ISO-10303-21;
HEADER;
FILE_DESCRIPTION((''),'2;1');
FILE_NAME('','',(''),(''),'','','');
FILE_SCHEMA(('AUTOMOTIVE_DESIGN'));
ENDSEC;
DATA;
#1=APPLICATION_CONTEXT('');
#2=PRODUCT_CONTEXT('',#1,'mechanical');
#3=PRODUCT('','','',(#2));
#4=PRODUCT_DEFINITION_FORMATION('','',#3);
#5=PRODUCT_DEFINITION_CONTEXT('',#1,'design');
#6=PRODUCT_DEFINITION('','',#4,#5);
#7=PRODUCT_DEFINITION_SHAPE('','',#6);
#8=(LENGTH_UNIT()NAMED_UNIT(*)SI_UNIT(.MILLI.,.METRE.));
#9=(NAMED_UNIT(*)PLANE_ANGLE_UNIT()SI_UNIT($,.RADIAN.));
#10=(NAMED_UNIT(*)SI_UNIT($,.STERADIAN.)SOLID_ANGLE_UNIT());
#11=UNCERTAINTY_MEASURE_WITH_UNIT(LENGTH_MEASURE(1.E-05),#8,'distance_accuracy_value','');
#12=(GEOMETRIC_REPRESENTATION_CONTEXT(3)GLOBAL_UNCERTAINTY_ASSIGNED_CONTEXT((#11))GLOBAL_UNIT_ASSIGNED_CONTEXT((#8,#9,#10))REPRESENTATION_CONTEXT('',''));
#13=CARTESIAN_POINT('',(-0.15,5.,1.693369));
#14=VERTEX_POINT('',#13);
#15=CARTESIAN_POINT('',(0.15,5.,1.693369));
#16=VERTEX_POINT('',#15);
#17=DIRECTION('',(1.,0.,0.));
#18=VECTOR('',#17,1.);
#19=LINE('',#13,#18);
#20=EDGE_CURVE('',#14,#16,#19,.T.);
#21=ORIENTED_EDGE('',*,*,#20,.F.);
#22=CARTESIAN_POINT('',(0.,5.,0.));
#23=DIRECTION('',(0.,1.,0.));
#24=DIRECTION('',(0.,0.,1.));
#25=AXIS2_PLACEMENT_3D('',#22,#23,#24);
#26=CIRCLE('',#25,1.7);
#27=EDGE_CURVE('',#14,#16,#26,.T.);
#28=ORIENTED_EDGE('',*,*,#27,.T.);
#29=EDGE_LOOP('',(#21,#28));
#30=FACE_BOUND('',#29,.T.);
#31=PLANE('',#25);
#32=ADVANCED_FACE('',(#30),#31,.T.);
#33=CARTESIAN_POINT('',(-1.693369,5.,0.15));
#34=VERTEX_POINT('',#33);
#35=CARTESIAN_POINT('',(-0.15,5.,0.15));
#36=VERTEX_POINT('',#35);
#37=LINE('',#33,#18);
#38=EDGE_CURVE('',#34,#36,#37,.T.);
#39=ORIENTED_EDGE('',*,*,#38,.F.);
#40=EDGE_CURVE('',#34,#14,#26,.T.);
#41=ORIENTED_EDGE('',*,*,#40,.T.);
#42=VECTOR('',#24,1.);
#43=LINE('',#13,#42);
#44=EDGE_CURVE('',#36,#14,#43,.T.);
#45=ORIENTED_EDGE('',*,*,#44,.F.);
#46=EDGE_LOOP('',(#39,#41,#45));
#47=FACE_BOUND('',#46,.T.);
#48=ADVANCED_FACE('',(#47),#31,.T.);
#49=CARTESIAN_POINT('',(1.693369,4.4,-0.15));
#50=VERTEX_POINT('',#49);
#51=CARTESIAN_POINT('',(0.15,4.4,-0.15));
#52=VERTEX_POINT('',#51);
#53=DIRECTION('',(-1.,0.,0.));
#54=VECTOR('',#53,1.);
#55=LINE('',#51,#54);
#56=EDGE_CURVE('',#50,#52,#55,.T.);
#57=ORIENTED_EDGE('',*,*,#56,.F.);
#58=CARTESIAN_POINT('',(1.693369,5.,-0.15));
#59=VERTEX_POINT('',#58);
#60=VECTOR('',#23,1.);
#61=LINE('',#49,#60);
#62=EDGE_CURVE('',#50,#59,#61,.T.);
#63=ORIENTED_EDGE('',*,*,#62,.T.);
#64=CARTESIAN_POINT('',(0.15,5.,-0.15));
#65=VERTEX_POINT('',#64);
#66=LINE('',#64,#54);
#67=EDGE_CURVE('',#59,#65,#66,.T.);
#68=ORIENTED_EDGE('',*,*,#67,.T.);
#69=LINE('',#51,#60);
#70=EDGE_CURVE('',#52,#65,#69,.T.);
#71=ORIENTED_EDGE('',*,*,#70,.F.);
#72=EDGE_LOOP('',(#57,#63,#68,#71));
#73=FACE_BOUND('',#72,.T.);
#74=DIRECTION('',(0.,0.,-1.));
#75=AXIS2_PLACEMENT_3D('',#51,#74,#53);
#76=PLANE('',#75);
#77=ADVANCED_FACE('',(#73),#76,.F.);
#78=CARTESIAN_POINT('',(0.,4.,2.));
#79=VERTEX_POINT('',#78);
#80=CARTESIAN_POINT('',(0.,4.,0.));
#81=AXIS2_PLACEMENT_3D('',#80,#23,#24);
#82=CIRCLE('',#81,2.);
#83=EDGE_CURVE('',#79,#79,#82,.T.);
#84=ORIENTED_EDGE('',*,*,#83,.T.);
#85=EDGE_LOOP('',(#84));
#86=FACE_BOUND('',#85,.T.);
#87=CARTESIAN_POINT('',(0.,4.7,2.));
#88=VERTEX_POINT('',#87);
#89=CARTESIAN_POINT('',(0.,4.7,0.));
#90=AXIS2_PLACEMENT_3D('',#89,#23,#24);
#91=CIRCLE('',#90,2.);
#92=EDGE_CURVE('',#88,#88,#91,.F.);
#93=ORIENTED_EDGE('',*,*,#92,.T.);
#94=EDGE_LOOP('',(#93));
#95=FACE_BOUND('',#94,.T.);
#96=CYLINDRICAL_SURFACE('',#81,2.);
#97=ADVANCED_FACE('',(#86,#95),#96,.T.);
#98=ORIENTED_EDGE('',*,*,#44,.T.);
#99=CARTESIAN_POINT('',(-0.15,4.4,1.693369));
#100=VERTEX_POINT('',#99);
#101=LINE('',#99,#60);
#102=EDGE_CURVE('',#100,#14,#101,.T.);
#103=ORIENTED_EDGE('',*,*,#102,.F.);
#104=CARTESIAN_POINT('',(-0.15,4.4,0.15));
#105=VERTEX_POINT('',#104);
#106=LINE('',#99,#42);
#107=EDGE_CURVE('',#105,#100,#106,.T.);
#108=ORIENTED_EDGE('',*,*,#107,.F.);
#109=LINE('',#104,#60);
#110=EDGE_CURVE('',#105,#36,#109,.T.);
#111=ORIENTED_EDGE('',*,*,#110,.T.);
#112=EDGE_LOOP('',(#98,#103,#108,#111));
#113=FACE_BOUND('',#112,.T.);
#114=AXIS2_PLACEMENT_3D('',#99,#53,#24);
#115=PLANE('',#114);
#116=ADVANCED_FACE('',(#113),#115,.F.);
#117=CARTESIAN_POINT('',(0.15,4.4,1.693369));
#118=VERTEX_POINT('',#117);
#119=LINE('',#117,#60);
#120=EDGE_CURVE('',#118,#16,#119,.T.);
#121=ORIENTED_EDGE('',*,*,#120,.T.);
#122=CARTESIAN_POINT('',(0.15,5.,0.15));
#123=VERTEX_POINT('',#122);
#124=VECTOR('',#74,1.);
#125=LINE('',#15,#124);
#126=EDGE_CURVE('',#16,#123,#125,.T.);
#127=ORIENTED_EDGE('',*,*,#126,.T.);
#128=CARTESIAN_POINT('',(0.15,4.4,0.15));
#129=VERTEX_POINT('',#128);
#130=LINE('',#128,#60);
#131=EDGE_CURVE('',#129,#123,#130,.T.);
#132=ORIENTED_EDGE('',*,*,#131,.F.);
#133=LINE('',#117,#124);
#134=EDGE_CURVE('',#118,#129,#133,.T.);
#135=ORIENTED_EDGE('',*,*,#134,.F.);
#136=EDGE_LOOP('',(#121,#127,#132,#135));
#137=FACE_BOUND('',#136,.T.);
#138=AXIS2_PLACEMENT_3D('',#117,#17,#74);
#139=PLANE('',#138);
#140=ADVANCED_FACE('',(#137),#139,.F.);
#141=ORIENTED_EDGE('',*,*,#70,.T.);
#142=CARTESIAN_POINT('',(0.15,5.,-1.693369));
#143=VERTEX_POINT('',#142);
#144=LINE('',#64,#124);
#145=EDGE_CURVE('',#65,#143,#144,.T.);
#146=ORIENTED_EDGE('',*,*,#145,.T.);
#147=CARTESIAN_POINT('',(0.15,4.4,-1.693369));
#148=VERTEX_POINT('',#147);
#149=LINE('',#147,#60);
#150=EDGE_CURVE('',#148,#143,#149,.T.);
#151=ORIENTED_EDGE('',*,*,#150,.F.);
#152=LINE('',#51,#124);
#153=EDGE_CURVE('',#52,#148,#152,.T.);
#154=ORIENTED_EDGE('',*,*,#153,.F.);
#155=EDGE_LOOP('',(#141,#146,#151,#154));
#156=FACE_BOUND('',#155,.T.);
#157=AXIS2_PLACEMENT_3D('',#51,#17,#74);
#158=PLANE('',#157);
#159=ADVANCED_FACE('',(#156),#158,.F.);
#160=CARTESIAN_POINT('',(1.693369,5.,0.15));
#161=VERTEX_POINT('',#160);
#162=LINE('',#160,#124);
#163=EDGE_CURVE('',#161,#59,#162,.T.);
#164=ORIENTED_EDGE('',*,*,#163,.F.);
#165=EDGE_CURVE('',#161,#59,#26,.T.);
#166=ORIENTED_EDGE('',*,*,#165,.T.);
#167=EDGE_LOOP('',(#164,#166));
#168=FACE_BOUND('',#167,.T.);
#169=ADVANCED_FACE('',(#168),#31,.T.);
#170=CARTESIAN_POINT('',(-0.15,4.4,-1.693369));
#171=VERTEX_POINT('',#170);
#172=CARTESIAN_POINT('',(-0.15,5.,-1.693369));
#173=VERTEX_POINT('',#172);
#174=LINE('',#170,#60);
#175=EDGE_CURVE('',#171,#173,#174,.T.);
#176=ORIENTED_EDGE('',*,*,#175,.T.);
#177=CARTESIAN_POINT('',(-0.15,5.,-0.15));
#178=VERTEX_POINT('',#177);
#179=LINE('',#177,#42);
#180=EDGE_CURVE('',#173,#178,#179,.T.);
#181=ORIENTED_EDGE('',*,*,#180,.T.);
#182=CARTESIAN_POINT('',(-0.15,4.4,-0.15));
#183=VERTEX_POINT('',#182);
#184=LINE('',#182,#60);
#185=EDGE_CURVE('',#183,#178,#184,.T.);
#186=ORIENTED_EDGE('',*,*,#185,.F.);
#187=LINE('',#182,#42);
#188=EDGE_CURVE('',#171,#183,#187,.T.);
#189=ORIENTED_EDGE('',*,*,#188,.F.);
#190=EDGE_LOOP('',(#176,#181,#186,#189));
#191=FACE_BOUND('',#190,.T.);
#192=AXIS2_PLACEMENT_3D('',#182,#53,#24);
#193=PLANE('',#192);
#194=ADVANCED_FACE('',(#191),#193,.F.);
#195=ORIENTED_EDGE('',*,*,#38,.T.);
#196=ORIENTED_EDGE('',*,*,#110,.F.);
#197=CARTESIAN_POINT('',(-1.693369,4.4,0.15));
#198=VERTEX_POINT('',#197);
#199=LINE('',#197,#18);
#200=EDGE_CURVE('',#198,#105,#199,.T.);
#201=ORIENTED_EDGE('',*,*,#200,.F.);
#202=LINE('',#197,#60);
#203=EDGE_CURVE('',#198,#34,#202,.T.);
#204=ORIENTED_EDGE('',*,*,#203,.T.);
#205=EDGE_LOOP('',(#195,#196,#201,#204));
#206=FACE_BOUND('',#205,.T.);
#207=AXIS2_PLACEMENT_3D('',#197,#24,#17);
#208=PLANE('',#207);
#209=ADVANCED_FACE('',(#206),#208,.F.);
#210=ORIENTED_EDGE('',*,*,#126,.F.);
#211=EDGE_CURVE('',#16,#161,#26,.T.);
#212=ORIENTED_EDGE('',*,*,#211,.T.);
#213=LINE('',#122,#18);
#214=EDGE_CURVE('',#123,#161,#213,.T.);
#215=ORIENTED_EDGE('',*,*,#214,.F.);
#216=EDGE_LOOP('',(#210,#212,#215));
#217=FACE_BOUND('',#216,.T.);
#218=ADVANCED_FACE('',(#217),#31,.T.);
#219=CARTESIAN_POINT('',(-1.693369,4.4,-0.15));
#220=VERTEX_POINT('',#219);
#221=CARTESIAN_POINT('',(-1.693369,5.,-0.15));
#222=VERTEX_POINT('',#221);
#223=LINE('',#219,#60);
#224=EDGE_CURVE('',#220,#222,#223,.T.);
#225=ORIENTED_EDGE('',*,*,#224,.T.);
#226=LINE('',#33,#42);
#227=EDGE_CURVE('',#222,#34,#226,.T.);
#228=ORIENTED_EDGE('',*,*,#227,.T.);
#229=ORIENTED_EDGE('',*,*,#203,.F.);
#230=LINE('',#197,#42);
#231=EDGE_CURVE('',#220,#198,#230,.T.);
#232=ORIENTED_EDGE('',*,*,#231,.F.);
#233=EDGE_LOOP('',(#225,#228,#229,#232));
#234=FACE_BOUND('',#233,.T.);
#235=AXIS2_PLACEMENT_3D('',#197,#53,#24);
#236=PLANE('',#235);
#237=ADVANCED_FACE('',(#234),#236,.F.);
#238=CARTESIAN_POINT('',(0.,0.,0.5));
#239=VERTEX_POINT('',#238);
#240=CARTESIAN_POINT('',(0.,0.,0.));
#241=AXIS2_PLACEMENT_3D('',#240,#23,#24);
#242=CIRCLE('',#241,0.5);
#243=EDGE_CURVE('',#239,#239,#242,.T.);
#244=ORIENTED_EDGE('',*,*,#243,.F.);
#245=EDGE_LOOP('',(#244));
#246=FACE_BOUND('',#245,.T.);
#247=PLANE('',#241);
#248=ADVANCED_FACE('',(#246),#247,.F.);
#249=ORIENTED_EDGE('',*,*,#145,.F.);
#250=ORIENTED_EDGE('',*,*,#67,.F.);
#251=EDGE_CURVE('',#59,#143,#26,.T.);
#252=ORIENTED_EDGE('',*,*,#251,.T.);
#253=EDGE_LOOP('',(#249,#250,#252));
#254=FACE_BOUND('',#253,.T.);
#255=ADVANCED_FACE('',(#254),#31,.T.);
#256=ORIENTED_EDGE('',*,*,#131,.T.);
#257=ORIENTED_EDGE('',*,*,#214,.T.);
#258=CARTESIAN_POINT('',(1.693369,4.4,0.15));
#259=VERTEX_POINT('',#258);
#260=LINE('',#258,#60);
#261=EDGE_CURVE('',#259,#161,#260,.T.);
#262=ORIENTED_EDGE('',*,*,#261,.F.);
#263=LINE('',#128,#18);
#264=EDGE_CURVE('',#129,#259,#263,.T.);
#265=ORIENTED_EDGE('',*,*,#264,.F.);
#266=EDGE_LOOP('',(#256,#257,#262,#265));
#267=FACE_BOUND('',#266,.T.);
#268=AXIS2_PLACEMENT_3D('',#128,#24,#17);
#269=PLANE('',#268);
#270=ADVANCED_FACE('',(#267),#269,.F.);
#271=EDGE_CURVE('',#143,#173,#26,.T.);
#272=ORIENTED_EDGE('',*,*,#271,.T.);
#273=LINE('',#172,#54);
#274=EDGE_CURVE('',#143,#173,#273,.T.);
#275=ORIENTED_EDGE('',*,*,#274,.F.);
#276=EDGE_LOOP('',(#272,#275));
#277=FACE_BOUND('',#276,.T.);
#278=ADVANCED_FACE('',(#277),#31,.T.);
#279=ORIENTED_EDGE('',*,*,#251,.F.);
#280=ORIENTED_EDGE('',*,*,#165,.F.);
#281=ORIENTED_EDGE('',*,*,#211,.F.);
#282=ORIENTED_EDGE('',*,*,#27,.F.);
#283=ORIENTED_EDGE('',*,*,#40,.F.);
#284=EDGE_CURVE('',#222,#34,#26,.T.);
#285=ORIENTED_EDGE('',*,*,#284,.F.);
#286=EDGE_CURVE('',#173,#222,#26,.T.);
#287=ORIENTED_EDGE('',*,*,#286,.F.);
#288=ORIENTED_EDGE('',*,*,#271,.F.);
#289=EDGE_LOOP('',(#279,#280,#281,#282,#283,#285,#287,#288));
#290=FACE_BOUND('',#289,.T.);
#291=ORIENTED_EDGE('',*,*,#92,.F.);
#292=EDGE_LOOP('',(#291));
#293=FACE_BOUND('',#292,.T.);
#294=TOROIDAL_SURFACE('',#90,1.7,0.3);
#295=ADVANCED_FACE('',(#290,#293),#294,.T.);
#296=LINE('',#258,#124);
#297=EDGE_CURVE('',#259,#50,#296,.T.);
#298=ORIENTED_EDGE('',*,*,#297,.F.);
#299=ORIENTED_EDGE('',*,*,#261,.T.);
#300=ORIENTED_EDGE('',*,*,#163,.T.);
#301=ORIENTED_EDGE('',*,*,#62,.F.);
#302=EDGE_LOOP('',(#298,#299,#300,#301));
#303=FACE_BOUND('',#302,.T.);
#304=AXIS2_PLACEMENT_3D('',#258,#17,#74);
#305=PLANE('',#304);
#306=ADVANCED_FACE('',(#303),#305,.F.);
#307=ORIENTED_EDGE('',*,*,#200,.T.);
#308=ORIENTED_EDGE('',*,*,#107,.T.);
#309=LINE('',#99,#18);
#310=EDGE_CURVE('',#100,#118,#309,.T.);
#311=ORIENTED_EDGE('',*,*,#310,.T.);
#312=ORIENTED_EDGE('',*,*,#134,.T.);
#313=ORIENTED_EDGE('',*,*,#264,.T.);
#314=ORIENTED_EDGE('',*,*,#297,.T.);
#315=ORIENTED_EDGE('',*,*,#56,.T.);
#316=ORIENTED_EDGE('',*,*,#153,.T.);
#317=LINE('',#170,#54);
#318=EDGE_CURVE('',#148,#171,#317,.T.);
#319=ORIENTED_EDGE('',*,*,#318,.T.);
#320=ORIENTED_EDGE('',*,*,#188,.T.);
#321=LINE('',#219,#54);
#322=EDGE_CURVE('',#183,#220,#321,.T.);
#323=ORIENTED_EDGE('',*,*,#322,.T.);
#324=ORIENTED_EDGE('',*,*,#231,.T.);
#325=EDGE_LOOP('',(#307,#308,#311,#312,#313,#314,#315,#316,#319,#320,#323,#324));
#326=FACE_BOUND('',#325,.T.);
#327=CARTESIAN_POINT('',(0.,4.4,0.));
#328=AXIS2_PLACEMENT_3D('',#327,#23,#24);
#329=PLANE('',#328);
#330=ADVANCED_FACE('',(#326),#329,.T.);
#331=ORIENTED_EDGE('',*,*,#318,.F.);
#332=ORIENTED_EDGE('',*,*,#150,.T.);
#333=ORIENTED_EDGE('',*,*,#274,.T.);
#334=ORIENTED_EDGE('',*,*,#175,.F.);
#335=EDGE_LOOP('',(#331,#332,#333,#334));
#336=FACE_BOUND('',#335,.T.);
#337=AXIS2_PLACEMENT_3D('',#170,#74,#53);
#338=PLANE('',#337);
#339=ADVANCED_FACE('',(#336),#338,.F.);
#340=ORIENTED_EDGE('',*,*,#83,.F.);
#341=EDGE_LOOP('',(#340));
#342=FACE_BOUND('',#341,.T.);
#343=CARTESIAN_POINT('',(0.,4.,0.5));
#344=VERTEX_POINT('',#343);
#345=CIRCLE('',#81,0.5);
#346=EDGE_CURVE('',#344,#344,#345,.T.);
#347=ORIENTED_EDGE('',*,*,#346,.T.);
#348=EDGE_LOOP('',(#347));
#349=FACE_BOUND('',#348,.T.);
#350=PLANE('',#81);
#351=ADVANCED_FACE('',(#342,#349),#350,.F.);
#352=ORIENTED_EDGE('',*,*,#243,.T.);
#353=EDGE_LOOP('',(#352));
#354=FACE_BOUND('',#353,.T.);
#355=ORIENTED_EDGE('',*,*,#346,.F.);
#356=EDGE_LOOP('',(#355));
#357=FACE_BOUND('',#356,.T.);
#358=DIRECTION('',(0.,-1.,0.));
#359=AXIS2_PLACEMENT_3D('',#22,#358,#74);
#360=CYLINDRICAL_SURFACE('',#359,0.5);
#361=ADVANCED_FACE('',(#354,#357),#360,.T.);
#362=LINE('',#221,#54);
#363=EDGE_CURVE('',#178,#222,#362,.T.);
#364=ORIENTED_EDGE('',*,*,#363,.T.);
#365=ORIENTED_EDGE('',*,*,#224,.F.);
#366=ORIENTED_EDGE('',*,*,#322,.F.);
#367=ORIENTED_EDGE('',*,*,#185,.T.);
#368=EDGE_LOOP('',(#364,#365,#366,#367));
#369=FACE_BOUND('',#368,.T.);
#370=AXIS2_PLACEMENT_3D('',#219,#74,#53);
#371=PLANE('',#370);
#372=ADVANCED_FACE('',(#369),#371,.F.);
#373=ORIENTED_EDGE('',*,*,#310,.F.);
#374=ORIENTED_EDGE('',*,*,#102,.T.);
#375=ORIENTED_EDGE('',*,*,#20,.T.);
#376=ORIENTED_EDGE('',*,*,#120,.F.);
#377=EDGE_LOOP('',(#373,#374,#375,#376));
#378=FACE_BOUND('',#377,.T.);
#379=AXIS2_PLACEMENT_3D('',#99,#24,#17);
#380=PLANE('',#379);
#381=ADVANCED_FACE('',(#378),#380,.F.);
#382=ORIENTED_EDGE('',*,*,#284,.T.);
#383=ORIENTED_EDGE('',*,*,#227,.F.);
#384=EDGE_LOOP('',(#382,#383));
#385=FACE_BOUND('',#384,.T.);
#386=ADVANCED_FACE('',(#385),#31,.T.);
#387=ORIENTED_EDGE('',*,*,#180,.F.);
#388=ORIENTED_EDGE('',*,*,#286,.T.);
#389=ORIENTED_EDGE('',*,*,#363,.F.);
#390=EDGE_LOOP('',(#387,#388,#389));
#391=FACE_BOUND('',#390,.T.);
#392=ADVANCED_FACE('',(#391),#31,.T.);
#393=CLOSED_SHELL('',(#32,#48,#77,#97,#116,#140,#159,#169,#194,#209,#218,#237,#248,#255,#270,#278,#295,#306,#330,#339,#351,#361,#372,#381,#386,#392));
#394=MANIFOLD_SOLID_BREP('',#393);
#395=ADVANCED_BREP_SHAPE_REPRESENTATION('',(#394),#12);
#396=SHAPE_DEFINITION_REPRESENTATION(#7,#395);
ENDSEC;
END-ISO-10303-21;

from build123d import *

# Parameters (mm, degrees)
SKETCH1_R           = 0.5
BOSS_EXTRUDE1_DEPTH = 5
SKETCH2_R           = 2
BOSS_EXTRUDE2_DEPTH = 1
FILLET1_R           = 0.3
CUT_EXTRUDE2_DEPTH  = 0.6


with BuildPart() as part:
    # Sketch1 → Boss-Extrude1 (new body)
    with BuildSketch(Plane(origin=(0, 0, 0), x_dir=(1, 0, 0), z_dir=(0, 1, 0))):
        with Locations(Location((0, 0, 0), (0, 0, 270))):
            Circle(SKETCH1_R)
    extrude(amount=BOSS_EXTRUDE1_DEPTH)

    # Sketch2 → Boss-Extrude2 (add)
    with BuildSketch(Plane(origin=(0, 5, 0), x_dir=(1, 0, 0), z_dir=(0, 1, 0))):
        with Locations(Location((0, 0, 0), (0, 0, 270))):
            Circle(SKETCH2_R)
    extrude(amount=-BOSS_EXTRUDE2_DEPTH)

    # Fillet1
    fillet1_edges = [part.edges().sort_by_distance(p)[0] for p in [
        (0, 5, -2),
    ]]
    fillet(fillet1_edges, radius=FILLET1_R)

    # Sketch3 → Cut-Extrude2 (cut)
    with BuildSketch(Plane(origin=(0, 5, 0), x_dir=(1, 0, 0), z_dir=(0, 1, 0))):
        Polygon((-0.15, 0.15), (-0.15, 1.693369422), (0.15, 1.693369422), (0.15, 0.15), (1.693369422, 0.15), (1.693369422, -0.15), (0.15, -0.15), (0.15, -1.693369422), (-0.15, -1.693369422), (-0.15, -0.15), (-1.693369422, -0.15), (-1.693369422, 0.15), align=None)
    extrude(amount=-CUT_EXTRUDE2_DEPTH, mode=Mode.SUBTRACT)


solid = part.part
